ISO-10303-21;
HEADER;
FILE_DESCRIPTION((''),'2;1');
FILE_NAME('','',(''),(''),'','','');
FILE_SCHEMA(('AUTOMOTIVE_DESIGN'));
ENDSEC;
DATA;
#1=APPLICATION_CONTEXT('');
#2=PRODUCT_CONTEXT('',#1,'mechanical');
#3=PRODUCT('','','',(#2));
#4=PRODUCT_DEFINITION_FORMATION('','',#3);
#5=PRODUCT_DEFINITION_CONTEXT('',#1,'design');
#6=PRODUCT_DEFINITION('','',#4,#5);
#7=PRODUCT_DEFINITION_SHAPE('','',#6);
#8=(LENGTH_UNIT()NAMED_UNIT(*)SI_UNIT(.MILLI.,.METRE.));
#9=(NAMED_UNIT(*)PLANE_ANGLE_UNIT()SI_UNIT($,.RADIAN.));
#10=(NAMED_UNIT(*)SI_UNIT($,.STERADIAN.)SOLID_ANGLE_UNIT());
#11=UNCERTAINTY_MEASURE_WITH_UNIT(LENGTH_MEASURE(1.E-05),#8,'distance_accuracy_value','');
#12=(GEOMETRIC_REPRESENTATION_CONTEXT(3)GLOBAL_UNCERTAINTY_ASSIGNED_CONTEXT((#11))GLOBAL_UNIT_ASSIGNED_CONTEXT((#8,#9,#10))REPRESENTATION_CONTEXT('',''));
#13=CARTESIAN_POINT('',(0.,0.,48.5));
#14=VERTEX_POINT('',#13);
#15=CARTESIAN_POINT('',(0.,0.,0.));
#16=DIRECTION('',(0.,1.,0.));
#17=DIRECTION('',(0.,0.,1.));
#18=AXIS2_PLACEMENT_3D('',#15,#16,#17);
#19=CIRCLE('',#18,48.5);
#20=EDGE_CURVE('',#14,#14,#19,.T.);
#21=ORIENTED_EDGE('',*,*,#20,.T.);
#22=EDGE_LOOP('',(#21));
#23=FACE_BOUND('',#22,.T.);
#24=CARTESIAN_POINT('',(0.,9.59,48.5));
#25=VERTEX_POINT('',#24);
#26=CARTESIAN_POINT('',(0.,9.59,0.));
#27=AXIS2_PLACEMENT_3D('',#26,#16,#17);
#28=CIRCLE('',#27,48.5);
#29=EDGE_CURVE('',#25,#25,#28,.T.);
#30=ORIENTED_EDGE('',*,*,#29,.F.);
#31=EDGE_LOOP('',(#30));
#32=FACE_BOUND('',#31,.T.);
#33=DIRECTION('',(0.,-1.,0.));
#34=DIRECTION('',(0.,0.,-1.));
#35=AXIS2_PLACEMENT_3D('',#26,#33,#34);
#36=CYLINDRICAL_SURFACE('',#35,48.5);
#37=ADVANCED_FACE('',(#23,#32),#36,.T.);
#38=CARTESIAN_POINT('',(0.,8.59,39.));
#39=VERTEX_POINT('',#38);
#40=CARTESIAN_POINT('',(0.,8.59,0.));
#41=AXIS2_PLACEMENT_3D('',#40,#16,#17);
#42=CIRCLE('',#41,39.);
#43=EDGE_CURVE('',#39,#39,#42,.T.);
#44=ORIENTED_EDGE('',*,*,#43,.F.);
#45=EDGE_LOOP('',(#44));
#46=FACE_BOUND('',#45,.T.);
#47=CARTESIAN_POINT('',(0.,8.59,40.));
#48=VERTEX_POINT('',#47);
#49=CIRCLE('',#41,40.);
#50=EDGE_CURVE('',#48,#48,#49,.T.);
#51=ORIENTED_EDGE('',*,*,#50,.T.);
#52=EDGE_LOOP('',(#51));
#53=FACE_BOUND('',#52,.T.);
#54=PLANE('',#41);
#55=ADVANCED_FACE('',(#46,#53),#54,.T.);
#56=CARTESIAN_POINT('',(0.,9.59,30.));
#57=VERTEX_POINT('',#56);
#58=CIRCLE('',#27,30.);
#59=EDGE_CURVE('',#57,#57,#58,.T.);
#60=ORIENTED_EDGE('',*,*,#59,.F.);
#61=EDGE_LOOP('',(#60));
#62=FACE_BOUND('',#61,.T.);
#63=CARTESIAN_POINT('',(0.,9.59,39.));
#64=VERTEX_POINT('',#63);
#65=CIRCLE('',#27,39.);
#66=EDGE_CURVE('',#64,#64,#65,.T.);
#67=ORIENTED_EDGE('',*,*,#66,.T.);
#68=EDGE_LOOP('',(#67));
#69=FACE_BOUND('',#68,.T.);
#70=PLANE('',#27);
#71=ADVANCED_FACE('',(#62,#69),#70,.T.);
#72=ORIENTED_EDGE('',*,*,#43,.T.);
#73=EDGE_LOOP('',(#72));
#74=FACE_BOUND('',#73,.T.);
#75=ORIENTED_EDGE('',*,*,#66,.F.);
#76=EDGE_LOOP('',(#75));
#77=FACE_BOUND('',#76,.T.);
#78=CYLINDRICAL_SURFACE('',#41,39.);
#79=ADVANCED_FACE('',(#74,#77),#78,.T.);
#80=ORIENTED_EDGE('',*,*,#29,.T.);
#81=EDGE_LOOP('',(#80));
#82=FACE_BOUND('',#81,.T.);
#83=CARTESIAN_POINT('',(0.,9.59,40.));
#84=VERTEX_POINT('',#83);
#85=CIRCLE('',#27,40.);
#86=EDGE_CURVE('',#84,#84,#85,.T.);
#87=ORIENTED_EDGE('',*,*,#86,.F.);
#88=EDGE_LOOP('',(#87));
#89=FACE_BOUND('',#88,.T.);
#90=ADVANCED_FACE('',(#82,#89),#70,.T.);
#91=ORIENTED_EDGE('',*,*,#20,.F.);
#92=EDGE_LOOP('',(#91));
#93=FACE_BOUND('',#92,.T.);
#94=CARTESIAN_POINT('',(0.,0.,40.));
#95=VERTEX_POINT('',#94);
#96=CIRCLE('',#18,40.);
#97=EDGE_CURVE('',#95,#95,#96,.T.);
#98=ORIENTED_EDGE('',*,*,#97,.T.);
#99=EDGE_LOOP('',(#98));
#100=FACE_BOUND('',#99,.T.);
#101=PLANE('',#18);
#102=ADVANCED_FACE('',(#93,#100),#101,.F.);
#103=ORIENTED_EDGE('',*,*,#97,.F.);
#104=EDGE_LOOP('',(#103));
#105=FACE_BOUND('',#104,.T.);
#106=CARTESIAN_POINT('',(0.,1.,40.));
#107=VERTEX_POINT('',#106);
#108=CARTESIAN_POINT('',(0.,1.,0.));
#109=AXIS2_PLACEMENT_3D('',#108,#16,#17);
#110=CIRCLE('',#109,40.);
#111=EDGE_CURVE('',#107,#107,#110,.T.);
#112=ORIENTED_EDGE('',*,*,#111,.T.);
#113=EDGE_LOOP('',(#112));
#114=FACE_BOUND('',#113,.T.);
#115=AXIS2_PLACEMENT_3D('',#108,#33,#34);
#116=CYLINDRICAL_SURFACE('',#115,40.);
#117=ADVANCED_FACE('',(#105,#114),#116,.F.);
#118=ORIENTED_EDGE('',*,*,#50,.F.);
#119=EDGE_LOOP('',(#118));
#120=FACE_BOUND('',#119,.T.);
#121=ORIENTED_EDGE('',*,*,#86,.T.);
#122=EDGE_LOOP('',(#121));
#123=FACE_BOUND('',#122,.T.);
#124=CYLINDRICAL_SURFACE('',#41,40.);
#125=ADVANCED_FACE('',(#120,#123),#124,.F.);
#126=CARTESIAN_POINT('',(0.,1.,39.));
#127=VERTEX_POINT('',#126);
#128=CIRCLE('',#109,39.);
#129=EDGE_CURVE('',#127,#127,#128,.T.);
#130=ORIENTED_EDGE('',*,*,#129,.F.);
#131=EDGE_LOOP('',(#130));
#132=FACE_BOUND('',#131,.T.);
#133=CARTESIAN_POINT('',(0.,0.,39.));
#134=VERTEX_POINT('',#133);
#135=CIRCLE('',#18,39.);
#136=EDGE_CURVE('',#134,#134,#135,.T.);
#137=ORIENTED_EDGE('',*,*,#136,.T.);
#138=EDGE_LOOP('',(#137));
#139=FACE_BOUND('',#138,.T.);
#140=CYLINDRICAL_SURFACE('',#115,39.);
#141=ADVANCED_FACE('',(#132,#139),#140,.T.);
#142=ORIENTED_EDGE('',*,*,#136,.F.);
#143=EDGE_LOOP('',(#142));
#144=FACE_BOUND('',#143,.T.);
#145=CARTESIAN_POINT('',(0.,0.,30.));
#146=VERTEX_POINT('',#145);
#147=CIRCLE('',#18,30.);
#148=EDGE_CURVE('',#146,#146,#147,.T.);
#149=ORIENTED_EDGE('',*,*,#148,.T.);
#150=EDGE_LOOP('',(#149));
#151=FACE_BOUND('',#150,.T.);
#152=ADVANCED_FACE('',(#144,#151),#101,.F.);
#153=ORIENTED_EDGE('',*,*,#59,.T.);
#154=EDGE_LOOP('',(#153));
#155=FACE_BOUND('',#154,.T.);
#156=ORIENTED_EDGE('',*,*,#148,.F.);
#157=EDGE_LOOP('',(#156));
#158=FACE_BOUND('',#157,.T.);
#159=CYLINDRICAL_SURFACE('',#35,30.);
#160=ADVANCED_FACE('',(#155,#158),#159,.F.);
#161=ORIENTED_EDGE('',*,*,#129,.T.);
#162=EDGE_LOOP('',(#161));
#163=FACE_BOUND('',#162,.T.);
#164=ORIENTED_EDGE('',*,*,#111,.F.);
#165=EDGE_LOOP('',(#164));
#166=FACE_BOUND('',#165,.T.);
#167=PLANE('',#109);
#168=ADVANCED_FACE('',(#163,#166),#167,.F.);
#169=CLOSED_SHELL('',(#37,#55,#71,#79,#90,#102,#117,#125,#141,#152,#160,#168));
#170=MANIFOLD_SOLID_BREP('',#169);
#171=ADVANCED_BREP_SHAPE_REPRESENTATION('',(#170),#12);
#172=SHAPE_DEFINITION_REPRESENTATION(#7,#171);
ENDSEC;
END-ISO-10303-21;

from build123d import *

# Parameters (mm, degrees)
SKETCH1_R           = 48.5
SKETCH1_R_2         = 30
BOSS_EXTRUDE1_DEPTH = 9.59
SKETCH2_R           = 40
SKETCH2_R_2         = 39
CUT_EXTRUDE1_DEPTH  = 1
CUT_EXTRUDE2_START  = -1
SKETCH3_R           = 40
SKETCH3_R_2         = 39
CUT_EXTRUDE2_DEPTH  = 1


with BuildPart() as part:
    # Sketch1 → Boss-Extrude1 (new body)
    with BuildSketch(Plane(origin=(0, 0, 0), x_dir=(1, 0, 0), z_dir=(0, 1, 0))):
        with Locations(Location((0, 0, 0), (0, 0, 270))):
            Circle(SKETCH1_R)
        with Locations(Location((0, 0, 0), (0, 0, 270))):
            Circle(SKETCH1_R_2, mode=Mode.SUBTRACT)
    extrude(amount=BOSS_EXTRUDE1_DEPTH)

    # Sketch2 → Cut-Extrude1 (cut)
    with BuildSketch(Plane(origin=(0, 0, 0), x_dir=(1, 0, 0), z_dir=(0, 1, 0))):
        with Locations(Location((0, 0, 0), (0, 0, 270))):
            Circle(SKETCH2_R)
        with Locations(Location((0, 0, 0), (0, 0, 270))):
            Circle(SKETCH2_R_2, mode=Mode.SUBTRACT)
    extrude(amount=CUT_EXTRUDE1_DEPTH, mode=Mode.SUBTRACT)

    # Sketch3 → Cut-Extrude2 (cut)
    with BuildSketch(Plane(origin=(0, 9.59, 0), x_dir=(1, 0, 0), z_dir=(0, 1, 0)).offset(CUT_EXTRUDE2_START)):
        with Locations(Location((0, 0, 0), (0, 0, 270))):
            Circle(SKETCH3_R)
        with Locations(Location((0, 0, 0), (0, 0, 270))):
            Circle(SKETCH3_R_2, mode=Mode.SUBTRACT)
    extrude(amount=CUT_EXTRUDE2_DEPTH, mode=Mode.SUBTRACT)


solid = part.part
